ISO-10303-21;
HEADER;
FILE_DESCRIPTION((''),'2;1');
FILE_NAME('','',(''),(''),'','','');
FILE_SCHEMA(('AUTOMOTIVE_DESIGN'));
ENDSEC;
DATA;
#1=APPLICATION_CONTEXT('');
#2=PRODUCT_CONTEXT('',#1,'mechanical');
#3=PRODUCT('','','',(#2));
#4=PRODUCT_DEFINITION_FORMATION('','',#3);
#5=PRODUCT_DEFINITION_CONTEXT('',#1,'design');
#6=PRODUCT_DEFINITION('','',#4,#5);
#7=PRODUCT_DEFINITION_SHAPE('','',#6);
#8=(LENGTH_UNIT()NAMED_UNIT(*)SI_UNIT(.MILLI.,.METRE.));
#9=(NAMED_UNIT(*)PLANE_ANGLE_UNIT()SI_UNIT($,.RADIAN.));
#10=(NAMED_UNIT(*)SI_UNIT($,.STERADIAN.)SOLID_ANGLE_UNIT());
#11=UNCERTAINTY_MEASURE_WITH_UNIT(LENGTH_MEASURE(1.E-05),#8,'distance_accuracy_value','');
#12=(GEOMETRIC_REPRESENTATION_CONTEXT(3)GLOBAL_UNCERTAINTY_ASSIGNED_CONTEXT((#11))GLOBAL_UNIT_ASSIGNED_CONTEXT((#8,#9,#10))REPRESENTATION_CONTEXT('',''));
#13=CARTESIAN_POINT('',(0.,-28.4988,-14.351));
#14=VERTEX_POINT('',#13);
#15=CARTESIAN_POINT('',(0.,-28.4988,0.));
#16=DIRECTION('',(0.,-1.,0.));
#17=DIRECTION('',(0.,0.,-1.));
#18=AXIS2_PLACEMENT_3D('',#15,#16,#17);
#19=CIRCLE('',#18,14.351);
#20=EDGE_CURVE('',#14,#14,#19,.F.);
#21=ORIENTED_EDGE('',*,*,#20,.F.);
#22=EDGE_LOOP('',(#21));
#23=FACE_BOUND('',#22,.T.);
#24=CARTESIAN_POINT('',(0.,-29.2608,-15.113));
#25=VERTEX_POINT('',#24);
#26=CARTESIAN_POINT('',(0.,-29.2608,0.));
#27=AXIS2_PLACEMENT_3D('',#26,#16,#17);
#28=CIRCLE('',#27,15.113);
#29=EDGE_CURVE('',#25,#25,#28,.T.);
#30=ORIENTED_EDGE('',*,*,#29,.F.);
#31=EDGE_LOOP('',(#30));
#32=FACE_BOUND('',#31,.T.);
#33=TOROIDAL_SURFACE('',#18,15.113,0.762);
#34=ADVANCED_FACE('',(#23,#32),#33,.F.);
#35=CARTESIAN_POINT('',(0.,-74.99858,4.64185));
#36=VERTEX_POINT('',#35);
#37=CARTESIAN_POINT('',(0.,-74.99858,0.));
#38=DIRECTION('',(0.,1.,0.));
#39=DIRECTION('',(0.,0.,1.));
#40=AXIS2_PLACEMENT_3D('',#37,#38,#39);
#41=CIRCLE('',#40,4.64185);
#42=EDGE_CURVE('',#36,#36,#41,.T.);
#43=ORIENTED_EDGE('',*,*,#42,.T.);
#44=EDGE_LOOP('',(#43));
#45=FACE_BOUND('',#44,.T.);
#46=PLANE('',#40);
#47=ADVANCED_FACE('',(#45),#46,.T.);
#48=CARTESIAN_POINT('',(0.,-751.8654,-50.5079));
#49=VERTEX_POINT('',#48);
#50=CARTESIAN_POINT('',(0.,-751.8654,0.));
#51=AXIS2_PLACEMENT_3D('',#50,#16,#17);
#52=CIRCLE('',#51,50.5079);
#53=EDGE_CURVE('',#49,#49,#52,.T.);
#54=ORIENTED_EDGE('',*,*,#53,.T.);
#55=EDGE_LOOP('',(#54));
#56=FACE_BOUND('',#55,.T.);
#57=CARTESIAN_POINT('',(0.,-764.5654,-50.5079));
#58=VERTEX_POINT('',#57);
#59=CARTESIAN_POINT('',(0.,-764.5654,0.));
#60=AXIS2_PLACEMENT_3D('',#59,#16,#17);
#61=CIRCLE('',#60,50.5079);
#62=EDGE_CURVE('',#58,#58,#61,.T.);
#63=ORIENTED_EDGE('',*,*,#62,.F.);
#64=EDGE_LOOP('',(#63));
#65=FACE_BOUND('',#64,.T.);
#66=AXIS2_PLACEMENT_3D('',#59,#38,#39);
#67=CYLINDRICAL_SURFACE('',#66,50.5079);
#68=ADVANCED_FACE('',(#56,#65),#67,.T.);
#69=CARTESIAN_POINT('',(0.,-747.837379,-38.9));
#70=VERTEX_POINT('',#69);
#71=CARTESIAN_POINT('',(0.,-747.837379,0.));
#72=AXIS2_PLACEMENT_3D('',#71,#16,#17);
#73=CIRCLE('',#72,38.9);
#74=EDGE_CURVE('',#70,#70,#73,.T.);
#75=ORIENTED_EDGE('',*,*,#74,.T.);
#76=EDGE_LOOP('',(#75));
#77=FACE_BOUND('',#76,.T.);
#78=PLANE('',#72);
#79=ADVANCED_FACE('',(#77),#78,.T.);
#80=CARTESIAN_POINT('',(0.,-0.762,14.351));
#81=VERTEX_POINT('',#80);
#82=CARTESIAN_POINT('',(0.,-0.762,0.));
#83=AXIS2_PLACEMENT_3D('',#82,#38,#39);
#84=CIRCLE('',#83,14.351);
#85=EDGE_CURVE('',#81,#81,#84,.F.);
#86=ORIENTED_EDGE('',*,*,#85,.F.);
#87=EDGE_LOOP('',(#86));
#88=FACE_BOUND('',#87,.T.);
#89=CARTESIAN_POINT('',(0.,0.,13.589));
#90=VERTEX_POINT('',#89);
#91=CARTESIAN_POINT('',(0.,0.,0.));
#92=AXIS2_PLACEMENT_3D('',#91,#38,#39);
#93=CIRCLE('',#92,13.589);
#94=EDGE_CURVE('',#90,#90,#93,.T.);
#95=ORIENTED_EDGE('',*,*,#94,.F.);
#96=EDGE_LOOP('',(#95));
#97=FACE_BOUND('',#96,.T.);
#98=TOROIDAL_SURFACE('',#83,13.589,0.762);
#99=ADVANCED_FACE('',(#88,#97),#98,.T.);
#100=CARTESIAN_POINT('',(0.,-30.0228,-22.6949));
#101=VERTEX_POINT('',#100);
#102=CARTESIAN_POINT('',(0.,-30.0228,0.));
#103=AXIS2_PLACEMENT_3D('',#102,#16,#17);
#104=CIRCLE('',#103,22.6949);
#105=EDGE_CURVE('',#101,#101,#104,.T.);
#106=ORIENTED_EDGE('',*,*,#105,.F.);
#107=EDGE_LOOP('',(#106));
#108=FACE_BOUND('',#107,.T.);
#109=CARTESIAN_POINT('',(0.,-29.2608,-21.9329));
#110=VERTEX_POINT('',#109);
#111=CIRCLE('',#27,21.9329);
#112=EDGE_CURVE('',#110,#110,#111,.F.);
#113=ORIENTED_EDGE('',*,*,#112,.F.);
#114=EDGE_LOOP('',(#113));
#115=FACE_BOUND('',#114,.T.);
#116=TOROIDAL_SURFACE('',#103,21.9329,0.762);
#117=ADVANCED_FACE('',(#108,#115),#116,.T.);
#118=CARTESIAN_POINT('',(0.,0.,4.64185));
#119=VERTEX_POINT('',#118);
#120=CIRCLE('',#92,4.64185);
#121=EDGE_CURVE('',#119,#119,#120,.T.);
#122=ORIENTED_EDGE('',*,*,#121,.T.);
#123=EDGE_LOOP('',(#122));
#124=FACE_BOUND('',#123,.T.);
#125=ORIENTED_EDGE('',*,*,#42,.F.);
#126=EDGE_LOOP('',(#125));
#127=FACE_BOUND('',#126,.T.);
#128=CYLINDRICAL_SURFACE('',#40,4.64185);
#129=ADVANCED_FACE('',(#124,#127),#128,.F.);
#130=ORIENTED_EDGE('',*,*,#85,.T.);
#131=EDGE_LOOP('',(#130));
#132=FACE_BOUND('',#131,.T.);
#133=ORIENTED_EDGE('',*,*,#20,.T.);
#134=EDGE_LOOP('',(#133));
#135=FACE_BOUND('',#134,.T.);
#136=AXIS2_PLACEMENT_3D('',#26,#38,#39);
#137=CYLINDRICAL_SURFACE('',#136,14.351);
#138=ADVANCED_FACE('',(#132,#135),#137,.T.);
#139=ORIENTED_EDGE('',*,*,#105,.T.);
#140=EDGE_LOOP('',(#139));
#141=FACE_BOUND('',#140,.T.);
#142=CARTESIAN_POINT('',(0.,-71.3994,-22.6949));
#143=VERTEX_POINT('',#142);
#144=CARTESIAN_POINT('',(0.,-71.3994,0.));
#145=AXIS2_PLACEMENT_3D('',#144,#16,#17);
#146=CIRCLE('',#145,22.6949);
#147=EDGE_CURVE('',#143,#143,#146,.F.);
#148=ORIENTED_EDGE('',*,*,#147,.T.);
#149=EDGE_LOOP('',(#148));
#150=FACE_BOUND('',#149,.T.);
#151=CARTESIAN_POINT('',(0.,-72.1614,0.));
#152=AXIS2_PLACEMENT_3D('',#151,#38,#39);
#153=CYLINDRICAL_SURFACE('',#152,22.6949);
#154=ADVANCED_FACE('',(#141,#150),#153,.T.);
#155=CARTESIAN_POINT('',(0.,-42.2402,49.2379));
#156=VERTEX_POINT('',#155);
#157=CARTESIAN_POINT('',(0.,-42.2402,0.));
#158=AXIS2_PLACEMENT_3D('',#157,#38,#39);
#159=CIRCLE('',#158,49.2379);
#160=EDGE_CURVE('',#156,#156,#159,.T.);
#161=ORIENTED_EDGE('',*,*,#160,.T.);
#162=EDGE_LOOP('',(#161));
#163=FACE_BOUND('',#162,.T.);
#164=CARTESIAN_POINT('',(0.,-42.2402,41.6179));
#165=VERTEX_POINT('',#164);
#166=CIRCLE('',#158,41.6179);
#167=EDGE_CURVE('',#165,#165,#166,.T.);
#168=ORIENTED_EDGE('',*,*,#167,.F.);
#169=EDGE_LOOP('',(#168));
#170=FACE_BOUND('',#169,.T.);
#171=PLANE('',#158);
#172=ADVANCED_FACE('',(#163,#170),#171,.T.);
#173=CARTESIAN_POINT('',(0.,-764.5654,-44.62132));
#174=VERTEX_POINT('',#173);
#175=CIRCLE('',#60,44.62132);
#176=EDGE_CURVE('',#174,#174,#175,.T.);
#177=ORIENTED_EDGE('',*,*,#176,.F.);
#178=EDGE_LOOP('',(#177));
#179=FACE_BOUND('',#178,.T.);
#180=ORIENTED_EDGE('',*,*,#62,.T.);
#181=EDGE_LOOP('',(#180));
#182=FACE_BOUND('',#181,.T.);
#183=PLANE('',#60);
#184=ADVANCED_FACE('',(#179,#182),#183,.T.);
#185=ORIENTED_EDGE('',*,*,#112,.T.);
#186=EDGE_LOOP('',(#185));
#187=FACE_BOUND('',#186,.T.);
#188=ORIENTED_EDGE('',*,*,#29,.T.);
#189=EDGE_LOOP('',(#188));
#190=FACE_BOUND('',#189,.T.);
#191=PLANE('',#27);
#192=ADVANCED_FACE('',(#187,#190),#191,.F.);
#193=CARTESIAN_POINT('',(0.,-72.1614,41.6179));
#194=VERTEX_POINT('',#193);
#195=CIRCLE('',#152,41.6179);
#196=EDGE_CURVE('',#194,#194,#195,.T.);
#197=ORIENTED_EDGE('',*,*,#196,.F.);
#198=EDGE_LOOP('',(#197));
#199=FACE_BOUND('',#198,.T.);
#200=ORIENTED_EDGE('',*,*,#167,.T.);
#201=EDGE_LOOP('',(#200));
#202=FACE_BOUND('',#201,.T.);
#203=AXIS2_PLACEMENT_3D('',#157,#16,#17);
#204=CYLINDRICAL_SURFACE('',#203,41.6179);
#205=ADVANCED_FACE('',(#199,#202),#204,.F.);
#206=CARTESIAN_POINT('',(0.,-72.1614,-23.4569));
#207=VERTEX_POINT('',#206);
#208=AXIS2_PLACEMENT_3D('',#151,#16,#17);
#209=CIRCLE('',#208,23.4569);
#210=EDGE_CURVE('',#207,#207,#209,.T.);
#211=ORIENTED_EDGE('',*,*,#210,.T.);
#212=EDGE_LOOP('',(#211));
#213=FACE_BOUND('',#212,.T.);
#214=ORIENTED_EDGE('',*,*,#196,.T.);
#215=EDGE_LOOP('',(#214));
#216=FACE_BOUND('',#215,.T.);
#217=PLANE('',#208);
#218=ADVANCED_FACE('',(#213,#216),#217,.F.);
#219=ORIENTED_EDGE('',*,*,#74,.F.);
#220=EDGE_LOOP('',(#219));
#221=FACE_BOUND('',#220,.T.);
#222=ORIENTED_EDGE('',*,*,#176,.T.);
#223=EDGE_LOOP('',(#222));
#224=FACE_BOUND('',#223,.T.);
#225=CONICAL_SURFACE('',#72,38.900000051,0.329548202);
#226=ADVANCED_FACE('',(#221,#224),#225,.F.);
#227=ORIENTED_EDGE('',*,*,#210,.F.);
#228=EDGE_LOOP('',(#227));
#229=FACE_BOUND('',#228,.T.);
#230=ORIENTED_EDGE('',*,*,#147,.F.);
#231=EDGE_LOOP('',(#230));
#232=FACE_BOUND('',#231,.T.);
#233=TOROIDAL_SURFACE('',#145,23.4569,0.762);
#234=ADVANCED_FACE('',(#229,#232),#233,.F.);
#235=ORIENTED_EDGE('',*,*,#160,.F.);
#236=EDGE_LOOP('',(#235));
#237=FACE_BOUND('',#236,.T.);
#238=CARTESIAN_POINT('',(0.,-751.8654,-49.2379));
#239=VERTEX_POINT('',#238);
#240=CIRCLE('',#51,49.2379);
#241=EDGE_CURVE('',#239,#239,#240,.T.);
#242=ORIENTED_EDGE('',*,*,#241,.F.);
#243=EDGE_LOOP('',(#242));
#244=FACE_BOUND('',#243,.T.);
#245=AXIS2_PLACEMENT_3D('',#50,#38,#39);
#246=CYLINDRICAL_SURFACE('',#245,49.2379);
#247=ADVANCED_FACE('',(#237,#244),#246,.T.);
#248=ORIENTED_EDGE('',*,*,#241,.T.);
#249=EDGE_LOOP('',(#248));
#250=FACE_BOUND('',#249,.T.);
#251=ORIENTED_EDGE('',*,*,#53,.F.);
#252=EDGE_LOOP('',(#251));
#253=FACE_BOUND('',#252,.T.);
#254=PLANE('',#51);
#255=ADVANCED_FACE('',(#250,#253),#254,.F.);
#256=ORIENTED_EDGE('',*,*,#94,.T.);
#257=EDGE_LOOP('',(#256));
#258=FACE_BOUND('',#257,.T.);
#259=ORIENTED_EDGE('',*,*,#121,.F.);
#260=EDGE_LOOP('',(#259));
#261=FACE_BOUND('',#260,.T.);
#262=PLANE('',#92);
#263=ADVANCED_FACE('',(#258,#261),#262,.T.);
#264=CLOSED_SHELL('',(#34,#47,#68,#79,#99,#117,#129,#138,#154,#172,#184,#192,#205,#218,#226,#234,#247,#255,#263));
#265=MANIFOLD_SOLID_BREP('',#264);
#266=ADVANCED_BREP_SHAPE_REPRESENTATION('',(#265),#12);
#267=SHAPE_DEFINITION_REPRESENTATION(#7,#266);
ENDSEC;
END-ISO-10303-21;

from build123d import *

# Parameters (mm, degrees)
SKETCH1_R           = 14.351
BOSS_EXTRUDE1_DEPTH = 29.2608
SKETCH2_R           = 22.6949
BOSS_EXTRUDE2_DEPTH = 42.9006
SKETCH3_R           = 49.2379
BOSS_EXTRUDE3_DEPTH = 679.704
SKETCH4_R           = 49.2379
SKETCH4_R_2         = 41.6179
BOSS_EXTRUDE4_DEPTH = 29.9212
SKETCH5_R           = 4.64185
CUT_EXTRUDE1_DEPTH  = 74.99858
SKETCH6_R           = 50.5079
BOSS_EXTRUDE5_DEPTH = 12.7
SKETCH9_R           = 38.900000051
SKETCH8_R           = 44.621320206
FILLET1_R           = 0.762


with BuildPart() as part:
    # Sketch1 → Boss-Extrude1 (new body)
    with BuildSketch(Plane(origin=(0, 0, 0), x_dir=(1, 0, 0), z_dir=(0, 1, 0))):
        Circle(SKETCH1_R)
    extrude(amount=-BOSS_EXTRUDE1_DEPTH)

    # Sketch2 → Boss-Extrude2 (add)
    with BuildSketch(Plane.XZ.offset(29.2608)):
        Circle(SKETCH2_R)
    extrude(amount=BOSS_EXTRUDE2_DEPTH)

    # Sketch3 → Boss-Extrude3 (add)
    with BuildSketch(Plane.XZ.offset(72.1614)):
        Circle(SKETCH3_R)
    extrude(amount=BOSS_EXTRUDE3_DEPTH)

    # Sketch4 → Boss-Extrude4 (add)
    with BuildSketch(Plane(origin=(0, -72.1614, 0), x_dir=(1, 0, 0), z_dir=(0, 1, 0))):
        Circle(SKETCH4_R)
        Circle(SKETCH4_R_2, mode=Mode.SUBTRACT)
    extrude(amount=BOSS_EXTRUDE4_DEPTH)

    # Sketch5 → Cut-Extrude1 (cut)
    with BuildSketch(Plane(origin=(0, 0, 0), x_dir=(1, 0, 0), z_dir=(0, 1, 0))):
        Circle(SKETCH5_R)
    extrude(amount=-CUT_EXTRUDE1_DEPTH, mode=Mode.SUBTRACT)

    # Sketch6 → Boss-Extrude5 (add)
    with BuildSketch(Plane.XZ.offset(751.8654)):
        Circle(SKETCH6_R)
    extrude(amount=BOSS_EXTRUDE5_DEPTH)

    # Sketch9 → Cut-Loft1 section 0
    with BuildSketch(Plane(origin=(0, -747.837378846, 0), x_dir=(-1, 0, 0), z_dir=(0, -1, 0))):
        Circle(SKETCH9_R)
    # Sketch8 → Cut-Loft1 section 1
    with BuildSketch(Plane.XZ.offset(764.5654)):
        Circle(SKETCH8_R)
    loft(mode=Mode.SUBTRACT)

    # Fillet1
    fillet1_edges = [part.edges().sort_by_distance(p)[0] for p in [
        (-14.351, 0, 0),
        (-14.351, -29.2608, 0),
        (-22.6949, -29.2608, 0),
        (-22.6949, -72.1614, 0),
    ]]
    fillet(fillet1_edges, radius=FILLET1_R)


solid = part.part
